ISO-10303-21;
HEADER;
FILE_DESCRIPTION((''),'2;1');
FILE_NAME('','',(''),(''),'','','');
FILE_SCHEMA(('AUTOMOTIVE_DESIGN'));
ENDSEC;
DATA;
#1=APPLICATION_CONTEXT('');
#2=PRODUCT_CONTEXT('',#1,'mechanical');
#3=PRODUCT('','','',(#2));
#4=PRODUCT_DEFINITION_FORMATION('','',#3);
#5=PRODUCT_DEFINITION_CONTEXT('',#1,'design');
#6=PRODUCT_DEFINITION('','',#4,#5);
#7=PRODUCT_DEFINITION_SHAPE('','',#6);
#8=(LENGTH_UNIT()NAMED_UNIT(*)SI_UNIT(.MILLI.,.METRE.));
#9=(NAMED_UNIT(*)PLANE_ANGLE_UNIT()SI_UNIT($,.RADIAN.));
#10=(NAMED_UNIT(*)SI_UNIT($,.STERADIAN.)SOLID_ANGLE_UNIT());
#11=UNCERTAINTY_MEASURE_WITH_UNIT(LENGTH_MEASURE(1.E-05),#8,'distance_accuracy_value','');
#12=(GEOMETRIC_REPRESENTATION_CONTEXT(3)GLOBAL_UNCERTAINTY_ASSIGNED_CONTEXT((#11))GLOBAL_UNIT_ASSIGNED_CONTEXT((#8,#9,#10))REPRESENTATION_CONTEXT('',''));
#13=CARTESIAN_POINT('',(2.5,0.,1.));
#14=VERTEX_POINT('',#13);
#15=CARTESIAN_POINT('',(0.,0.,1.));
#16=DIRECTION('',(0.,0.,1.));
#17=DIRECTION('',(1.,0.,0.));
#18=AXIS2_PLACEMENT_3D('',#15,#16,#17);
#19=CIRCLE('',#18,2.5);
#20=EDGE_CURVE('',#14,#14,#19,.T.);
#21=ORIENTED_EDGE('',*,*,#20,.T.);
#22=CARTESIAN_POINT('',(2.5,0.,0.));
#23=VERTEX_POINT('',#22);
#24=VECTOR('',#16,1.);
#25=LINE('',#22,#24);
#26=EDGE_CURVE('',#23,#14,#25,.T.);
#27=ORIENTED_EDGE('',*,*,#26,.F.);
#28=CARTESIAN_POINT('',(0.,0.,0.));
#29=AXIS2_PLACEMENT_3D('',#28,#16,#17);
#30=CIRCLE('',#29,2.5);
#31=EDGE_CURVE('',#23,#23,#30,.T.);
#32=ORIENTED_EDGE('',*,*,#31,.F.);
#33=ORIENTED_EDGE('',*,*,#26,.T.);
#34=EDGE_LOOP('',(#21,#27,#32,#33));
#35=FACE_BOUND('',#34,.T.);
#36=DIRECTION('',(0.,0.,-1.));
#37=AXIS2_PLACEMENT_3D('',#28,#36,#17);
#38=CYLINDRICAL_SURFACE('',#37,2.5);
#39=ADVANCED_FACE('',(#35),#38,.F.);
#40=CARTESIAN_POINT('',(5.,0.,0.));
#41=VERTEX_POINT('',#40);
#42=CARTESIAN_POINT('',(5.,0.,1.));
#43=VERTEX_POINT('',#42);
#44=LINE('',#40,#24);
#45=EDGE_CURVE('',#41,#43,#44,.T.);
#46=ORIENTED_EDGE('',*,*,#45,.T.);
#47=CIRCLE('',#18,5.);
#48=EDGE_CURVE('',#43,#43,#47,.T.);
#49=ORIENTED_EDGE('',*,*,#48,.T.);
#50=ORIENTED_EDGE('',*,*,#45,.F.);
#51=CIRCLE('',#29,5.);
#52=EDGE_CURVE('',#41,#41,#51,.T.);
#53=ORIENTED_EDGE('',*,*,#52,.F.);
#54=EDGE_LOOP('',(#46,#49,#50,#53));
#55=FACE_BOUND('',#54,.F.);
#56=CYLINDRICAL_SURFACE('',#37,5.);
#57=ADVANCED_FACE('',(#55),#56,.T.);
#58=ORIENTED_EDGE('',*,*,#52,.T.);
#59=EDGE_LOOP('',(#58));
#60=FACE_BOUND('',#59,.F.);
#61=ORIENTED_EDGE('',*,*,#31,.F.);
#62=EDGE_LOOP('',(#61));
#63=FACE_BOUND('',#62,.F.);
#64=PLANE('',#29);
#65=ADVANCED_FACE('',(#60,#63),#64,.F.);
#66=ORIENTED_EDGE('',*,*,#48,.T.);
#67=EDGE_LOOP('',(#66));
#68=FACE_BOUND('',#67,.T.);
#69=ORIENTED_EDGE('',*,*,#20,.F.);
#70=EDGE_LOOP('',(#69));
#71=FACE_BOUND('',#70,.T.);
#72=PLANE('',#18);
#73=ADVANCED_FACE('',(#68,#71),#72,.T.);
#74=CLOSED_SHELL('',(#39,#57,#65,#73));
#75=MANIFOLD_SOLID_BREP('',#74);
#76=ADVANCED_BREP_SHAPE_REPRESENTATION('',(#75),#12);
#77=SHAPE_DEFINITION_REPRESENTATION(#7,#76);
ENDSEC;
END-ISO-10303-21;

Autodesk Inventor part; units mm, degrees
ref_plane "YZ Plane" through (0, 0, 0) normal (1, 0, 0) x (0, 1, 0)
ref_plane "XZ Plane" through (0, 0, 0) normal (0, 1, 0) x (-1, 0, 0)
ref_plane "XY Plane" through (0, 0, 0) normal (0, 0, 1) x (1, 0, 0)
sketch "Szkic1" plane through (0, 0, 0) normal (0, 0, 1) x (1, 0, 0)
  circle A0 centre (0, 0) radius 2.5
  circle A1 centre (0, 0) radius 5
  dimension "d0" = 5
  dimension "d1" = 10
extrude "Wyciągnięcie proste1" add sketch "Szkic1" along normal blind 1
properties part number "COTS_GENERIC_M5_Washer"
